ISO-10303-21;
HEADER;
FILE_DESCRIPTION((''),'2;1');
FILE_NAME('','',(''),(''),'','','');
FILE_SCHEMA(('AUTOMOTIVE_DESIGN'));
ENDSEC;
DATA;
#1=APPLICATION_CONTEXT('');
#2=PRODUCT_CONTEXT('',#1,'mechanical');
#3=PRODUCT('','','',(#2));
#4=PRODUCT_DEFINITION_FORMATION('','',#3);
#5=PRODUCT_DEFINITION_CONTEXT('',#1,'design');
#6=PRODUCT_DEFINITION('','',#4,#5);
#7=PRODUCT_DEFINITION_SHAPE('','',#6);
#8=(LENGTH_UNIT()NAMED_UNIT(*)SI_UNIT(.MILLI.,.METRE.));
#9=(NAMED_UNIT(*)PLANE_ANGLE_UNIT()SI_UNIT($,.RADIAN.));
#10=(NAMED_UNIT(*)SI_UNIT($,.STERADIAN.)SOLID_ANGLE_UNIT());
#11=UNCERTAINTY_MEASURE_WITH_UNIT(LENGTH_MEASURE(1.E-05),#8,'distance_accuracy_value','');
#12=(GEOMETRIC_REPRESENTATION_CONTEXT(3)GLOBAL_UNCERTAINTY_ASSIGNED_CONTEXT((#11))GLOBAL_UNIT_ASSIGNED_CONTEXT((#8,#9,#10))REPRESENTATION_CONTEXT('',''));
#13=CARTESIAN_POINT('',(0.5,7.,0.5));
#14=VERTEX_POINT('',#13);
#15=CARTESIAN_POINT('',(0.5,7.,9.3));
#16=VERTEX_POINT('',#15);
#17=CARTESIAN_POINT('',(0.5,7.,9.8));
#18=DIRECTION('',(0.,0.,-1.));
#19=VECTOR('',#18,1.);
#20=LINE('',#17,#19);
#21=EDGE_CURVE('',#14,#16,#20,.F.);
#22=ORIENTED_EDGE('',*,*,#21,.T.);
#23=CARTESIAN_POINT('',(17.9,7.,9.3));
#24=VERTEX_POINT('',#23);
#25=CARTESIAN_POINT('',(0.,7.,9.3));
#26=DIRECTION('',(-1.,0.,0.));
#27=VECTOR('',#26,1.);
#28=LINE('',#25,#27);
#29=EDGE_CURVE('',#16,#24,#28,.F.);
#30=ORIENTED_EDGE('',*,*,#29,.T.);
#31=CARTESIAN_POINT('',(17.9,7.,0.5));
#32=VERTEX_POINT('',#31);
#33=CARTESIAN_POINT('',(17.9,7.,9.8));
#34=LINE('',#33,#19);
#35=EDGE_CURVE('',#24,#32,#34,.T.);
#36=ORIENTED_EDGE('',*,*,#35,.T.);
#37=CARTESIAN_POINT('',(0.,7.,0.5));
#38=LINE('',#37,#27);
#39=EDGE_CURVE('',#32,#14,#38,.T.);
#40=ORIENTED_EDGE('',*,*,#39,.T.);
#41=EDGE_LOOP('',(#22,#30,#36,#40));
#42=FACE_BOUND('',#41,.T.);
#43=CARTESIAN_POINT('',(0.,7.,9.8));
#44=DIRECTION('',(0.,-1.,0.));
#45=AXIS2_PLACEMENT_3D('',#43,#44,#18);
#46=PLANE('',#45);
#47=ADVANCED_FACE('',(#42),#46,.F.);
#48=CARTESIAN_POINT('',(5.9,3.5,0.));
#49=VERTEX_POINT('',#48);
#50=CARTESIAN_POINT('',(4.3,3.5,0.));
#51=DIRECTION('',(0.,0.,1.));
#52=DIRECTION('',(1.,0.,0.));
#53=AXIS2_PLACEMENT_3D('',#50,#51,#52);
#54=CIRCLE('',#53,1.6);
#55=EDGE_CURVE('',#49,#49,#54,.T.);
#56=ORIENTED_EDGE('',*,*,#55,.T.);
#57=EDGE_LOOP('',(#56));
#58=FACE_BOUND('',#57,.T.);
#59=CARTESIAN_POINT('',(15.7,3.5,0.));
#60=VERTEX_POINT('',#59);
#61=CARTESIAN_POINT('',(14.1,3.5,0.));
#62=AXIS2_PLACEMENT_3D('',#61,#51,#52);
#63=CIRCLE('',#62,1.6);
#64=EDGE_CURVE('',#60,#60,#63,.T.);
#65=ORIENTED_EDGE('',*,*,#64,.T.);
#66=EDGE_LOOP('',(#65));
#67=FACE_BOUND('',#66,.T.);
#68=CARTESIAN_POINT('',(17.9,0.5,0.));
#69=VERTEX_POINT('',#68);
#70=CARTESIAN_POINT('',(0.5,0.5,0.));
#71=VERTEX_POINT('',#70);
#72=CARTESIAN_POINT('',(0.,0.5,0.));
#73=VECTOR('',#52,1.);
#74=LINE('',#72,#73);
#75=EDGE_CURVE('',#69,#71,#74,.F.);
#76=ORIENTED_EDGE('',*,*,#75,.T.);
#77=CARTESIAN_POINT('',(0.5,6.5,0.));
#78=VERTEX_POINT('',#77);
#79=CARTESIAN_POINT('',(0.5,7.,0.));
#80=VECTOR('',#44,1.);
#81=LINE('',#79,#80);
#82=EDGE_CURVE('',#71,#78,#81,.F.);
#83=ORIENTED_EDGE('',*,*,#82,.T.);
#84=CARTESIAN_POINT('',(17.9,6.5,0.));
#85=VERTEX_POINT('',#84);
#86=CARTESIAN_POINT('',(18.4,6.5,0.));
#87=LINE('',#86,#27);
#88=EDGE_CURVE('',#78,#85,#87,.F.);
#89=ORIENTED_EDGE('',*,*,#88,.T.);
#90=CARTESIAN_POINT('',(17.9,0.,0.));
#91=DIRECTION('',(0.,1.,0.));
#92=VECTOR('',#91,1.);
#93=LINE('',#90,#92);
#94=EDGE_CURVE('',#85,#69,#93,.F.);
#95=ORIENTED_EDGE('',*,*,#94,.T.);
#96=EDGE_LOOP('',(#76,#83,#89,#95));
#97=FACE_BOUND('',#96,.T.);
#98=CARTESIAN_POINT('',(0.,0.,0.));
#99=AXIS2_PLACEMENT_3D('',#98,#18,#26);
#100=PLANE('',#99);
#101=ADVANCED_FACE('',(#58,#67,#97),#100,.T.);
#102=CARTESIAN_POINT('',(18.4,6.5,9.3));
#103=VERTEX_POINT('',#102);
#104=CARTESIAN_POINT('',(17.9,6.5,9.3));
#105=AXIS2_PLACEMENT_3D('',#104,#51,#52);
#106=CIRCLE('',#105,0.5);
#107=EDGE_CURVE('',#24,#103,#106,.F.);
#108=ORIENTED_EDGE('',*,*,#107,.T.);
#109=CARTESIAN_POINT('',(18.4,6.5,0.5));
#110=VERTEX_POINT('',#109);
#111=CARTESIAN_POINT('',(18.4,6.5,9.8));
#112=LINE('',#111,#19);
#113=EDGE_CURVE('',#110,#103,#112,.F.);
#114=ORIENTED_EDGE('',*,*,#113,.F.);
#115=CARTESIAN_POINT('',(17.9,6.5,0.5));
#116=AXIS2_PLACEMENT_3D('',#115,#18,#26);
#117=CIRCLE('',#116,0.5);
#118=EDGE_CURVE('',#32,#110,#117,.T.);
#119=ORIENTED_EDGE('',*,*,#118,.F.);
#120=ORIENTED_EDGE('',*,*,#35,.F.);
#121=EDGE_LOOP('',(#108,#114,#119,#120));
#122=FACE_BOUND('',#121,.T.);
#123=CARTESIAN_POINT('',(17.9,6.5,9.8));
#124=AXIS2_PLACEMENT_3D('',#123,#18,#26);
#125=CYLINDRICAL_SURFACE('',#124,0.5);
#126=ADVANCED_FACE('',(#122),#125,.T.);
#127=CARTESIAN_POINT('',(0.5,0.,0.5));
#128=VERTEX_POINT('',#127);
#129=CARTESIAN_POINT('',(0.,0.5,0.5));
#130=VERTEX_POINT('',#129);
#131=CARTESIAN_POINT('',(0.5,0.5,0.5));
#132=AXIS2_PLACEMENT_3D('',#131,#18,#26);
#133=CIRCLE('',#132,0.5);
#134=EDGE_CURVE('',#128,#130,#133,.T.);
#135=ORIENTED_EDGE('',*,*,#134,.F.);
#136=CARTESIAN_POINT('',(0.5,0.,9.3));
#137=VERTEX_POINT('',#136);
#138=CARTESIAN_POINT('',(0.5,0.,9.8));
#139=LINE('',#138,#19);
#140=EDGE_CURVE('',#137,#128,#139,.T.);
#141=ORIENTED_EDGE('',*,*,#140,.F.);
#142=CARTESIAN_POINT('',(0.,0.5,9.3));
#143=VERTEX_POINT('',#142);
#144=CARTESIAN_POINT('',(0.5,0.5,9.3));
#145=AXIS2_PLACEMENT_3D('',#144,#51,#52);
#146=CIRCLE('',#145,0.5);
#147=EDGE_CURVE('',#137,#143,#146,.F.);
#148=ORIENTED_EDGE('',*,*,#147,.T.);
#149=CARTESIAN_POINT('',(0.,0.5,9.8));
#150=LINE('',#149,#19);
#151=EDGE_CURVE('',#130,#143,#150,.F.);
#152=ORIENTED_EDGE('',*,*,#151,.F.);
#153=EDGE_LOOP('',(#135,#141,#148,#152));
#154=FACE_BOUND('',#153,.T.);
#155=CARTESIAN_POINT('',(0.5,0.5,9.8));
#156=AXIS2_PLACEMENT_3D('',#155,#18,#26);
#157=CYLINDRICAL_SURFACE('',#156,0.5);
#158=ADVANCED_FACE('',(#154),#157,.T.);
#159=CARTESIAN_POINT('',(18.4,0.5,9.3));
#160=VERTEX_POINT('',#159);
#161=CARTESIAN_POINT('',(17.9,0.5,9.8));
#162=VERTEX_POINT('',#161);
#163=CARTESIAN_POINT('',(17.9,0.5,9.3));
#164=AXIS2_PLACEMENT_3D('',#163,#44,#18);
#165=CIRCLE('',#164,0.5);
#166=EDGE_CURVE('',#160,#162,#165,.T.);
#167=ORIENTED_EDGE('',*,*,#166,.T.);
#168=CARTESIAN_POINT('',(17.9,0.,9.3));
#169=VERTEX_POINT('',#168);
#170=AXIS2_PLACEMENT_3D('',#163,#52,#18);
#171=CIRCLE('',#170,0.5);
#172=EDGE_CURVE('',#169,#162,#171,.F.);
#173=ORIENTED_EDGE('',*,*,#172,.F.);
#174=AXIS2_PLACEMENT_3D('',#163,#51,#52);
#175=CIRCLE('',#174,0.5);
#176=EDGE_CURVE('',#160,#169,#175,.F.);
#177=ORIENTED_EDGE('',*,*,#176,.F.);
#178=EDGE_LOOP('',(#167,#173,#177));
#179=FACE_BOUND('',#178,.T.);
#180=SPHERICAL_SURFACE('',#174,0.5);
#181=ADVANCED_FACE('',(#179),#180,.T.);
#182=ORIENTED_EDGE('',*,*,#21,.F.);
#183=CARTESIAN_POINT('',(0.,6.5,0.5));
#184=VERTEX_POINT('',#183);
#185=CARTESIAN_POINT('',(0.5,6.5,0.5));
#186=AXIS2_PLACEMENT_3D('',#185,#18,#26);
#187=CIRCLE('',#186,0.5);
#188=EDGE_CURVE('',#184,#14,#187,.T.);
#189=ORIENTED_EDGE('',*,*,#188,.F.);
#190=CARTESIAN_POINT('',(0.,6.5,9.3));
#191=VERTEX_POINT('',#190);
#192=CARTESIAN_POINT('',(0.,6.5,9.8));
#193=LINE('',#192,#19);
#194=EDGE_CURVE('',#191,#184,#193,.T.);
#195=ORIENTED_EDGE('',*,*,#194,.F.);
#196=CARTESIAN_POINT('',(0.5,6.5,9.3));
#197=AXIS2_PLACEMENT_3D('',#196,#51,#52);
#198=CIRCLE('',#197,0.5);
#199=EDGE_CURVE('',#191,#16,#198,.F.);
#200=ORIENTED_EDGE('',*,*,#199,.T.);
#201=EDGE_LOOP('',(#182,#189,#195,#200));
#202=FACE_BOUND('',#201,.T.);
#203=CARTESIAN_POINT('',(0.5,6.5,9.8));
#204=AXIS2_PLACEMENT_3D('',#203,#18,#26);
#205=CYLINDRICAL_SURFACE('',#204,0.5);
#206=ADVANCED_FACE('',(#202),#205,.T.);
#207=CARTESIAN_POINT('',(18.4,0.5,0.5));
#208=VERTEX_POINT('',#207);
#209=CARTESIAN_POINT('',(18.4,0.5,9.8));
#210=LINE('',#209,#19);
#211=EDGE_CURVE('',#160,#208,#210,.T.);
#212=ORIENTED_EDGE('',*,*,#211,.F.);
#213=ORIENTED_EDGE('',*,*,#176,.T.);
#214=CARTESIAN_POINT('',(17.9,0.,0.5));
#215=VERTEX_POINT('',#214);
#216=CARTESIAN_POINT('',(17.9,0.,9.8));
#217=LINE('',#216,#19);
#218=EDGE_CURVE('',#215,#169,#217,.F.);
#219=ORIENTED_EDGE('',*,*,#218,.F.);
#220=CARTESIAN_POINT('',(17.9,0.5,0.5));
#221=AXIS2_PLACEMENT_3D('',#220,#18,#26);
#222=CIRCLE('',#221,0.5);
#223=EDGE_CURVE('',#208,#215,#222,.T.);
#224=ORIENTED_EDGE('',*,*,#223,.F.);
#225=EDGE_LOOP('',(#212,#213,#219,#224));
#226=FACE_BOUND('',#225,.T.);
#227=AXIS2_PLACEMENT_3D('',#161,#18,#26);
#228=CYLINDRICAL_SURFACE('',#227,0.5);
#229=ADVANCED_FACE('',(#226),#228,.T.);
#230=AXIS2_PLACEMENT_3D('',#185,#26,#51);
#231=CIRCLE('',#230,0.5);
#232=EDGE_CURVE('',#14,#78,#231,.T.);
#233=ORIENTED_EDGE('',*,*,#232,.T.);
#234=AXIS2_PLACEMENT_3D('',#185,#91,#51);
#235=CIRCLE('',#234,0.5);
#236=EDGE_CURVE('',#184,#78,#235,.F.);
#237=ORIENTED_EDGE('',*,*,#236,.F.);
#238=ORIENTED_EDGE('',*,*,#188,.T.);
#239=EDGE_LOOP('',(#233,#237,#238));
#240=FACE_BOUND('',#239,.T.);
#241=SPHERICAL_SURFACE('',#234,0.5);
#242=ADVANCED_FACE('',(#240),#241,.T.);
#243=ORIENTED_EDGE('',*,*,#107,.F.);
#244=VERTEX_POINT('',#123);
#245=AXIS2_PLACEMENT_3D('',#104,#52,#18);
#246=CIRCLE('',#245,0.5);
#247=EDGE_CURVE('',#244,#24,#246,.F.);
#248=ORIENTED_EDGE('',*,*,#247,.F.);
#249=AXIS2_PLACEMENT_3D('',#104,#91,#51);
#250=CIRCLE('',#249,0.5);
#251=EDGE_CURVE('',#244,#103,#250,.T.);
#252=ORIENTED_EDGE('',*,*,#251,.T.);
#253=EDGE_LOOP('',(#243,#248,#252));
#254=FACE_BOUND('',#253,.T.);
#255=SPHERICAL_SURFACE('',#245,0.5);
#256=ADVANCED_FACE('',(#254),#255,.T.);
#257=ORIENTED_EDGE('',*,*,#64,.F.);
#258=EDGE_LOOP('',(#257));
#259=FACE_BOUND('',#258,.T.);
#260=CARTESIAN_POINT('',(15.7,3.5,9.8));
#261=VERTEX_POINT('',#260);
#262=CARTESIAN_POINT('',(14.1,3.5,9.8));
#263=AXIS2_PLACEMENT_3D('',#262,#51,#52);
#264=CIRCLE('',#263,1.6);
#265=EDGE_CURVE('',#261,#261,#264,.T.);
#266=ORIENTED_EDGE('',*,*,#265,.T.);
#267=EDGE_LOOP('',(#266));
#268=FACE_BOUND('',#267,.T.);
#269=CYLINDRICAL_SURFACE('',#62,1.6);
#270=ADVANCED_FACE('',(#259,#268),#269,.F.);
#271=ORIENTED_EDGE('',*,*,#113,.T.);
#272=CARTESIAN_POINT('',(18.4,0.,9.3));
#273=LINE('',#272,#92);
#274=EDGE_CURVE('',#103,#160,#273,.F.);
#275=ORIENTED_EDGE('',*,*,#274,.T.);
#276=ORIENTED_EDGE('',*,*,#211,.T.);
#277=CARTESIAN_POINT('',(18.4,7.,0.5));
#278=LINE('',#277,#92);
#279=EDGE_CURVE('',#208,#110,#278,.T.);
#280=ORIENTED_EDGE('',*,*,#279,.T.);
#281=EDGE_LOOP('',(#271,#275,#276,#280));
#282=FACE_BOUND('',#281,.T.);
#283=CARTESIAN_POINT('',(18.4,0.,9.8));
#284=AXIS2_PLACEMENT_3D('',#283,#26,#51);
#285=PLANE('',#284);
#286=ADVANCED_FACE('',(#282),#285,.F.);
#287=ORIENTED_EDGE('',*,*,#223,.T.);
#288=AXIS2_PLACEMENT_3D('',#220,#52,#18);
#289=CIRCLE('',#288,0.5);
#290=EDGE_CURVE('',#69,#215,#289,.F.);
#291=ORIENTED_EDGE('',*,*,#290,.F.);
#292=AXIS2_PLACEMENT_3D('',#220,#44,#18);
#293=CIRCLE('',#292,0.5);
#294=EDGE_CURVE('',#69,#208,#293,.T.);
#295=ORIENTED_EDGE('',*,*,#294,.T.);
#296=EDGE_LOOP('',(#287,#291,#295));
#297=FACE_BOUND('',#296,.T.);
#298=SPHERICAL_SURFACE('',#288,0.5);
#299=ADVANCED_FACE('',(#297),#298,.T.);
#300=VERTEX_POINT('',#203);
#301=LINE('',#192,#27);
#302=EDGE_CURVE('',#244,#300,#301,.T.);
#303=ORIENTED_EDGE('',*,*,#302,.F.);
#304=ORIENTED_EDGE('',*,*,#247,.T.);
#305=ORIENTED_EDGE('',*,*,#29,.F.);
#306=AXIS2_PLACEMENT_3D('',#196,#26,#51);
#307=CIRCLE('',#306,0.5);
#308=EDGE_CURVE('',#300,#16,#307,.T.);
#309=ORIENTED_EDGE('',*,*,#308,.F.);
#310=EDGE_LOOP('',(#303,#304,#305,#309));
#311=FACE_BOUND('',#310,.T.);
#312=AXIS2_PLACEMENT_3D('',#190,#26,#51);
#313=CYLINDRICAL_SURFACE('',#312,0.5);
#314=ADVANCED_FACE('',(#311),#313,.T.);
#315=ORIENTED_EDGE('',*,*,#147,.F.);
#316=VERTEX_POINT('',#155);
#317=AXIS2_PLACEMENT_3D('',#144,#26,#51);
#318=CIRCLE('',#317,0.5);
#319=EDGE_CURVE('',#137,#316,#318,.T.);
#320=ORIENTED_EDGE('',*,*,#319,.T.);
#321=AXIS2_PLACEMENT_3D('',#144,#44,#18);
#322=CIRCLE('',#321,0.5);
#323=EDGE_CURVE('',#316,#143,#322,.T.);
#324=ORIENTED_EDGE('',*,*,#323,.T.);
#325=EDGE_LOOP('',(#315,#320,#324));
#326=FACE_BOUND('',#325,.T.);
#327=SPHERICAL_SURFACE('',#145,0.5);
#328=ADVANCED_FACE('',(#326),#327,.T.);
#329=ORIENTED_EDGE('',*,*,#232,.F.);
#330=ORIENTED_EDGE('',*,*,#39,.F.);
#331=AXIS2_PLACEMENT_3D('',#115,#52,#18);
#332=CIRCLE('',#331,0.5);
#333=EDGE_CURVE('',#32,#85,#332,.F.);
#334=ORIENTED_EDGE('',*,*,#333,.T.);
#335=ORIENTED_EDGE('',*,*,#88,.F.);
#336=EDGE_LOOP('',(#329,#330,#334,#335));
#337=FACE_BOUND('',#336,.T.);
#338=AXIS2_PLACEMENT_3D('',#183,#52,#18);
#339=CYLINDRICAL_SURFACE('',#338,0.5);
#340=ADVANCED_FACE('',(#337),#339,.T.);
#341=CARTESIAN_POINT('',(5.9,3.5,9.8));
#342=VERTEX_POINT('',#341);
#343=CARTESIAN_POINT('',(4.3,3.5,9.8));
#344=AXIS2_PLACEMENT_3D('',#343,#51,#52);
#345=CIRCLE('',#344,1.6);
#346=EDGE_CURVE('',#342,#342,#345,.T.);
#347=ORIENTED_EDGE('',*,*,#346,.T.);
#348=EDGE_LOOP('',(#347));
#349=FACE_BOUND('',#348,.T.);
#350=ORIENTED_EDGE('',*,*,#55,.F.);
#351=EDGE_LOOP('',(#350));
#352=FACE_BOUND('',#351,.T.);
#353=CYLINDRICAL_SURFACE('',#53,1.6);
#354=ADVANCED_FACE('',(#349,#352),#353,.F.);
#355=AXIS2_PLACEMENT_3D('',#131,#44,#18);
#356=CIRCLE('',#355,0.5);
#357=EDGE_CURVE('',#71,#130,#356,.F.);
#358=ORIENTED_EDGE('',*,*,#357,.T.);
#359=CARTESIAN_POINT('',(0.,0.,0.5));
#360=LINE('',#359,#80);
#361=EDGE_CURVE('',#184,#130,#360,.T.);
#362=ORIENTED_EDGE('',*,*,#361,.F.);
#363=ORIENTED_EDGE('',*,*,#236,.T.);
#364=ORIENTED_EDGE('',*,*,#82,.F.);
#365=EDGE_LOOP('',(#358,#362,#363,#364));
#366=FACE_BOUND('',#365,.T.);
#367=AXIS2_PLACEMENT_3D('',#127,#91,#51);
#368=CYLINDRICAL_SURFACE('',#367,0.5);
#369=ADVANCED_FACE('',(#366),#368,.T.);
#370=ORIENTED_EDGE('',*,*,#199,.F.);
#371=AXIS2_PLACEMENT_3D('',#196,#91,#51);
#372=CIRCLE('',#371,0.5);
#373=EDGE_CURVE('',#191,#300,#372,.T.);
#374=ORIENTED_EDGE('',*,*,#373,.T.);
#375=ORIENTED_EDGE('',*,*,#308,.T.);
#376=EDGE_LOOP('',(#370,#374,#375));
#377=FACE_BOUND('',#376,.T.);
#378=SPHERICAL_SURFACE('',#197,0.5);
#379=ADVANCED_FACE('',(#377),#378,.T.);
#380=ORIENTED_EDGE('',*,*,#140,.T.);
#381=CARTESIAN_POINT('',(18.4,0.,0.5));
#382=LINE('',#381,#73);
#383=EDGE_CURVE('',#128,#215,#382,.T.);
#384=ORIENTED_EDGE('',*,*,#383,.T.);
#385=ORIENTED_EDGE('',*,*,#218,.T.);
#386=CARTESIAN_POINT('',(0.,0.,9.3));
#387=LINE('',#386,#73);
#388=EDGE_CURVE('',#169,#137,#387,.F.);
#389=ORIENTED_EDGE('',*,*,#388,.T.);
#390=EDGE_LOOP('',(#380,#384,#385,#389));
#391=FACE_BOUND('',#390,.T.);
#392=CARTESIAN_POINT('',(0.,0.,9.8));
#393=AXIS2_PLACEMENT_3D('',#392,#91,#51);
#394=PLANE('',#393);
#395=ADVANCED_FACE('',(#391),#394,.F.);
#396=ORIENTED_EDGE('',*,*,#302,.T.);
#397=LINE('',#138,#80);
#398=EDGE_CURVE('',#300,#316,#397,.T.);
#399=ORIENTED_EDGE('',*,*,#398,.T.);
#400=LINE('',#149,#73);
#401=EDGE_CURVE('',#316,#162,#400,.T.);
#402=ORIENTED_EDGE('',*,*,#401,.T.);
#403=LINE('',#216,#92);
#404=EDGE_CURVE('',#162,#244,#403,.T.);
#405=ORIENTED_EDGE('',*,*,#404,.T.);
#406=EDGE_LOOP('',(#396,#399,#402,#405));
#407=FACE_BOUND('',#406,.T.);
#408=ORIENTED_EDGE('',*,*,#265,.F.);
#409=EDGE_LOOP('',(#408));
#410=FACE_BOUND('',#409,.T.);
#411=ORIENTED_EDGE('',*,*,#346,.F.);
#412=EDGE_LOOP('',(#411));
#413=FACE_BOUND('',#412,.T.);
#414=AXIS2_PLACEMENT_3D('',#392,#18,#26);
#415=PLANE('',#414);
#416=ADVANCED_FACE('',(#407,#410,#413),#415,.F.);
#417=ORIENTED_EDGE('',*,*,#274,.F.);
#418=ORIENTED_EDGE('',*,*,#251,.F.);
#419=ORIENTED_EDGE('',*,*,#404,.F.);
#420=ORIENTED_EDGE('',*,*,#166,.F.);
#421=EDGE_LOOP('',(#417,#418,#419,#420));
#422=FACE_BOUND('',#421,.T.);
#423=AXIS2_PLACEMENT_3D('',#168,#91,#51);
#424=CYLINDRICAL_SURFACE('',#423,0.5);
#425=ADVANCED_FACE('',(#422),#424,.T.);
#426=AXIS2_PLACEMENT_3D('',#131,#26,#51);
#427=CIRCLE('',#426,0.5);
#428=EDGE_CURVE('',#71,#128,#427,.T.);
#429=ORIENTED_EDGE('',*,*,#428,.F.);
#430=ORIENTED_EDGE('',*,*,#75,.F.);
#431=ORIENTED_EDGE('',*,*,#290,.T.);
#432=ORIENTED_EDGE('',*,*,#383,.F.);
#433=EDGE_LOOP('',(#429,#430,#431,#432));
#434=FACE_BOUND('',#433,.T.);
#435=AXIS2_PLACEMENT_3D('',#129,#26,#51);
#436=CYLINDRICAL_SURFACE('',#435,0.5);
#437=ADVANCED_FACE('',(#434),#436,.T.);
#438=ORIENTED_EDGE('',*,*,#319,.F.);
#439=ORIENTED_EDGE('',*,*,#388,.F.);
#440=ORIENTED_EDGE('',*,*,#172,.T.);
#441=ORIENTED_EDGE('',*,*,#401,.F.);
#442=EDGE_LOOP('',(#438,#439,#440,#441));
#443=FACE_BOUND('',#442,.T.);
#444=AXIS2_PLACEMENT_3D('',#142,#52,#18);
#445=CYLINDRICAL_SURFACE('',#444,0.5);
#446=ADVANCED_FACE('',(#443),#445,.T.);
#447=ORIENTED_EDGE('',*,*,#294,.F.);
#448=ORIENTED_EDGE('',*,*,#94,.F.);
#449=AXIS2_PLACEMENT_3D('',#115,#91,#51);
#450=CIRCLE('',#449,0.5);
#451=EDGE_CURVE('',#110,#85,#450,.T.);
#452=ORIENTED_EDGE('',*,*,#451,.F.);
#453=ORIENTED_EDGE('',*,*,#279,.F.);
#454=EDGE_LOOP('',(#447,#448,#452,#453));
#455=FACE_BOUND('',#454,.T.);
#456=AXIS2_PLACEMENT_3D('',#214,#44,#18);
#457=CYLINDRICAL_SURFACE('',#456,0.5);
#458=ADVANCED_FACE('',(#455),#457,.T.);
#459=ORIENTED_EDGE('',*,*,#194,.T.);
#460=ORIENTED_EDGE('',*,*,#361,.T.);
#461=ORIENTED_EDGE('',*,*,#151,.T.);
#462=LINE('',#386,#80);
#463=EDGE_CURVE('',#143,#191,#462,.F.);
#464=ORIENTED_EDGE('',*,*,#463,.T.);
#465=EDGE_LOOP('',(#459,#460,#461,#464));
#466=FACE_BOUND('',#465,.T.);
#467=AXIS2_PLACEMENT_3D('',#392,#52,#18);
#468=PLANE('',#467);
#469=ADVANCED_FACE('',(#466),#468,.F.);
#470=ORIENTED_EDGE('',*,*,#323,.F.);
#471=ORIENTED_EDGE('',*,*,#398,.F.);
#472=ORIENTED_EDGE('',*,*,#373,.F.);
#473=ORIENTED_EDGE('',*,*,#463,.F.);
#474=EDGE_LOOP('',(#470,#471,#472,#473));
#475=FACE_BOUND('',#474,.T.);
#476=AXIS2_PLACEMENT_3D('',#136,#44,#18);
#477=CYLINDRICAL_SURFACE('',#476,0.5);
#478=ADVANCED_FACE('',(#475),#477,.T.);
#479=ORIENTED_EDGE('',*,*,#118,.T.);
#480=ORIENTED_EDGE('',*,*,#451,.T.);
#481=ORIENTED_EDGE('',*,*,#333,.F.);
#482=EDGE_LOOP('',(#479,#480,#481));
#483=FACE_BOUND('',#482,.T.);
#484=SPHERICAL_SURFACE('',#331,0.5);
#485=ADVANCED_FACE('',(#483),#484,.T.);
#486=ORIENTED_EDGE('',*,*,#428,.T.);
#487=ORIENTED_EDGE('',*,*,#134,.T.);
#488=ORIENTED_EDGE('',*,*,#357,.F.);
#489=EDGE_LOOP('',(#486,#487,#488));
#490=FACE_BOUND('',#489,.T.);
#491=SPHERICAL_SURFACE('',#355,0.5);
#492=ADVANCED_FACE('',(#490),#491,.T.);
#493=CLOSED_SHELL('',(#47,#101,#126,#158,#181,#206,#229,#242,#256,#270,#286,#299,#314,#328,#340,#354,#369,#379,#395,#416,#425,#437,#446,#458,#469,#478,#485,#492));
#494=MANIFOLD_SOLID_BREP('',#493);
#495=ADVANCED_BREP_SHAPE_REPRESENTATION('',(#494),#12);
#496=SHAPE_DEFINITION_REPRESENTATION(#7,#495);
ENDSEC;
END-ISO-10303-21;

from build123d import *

# Parameters (mm, degrees)
SKETCH_1_W          = 18.4
SKETCH_1_H          = 7
EXTRUDE_1_DEPTH     = 9.8
SKETCH_2_R          = 1.6
CUT_EXTRUDE_1_DEPTH = 9.8
FILLET_1_R          = 0.5


with BuildPart() as part:
    # 草图1 → 凸台-拉伸1 (new body)
    with BuildSketch(Plane.XY):
        with Locations((9.2, 3.5)):
            Rectangle(SKETCH_1_W, SKETCH_1_H)
    extrude(amount=EXTRUDE_1_DEPTH)

    # 草图2 → 切除-拉伸1 (cut)
    with BuildSketch(Plane.XY.offset(9.8)):
        with Locations((4.3, 3.5)):
            Circle(SKETCH_2_R)
        with Locations((14.1, 3.5)):
            Circle(SKETCH_2_R)
    extrude(amount=-CUT_EXTRUDE_1_DEPTH, mode=Mode.SUBTRACT)

    # 圆角1
    fillet_1_edges = [part.edges().sort_by_distance(p)[0] for p in [
        (18.4, 3.5, 9.8),
        (9.2, 7, 9.8),
        (0, 3.5, 9.8),
        (9.2, 7, 0),
        (18.4, 3.5, 0),
        (9.2, 0, 0),
        (0, 3.5, 0),
        (0, 7, 4.9),
        (18.4, 7, 4.9),
        (18.4, 0, 4.9),
        (0, 0, 4.9),
        (9.2, 0, 9.8),
    ]]
    fillet(fillet_1_edges, radius=FILLET_1_R)


solid = part.part
